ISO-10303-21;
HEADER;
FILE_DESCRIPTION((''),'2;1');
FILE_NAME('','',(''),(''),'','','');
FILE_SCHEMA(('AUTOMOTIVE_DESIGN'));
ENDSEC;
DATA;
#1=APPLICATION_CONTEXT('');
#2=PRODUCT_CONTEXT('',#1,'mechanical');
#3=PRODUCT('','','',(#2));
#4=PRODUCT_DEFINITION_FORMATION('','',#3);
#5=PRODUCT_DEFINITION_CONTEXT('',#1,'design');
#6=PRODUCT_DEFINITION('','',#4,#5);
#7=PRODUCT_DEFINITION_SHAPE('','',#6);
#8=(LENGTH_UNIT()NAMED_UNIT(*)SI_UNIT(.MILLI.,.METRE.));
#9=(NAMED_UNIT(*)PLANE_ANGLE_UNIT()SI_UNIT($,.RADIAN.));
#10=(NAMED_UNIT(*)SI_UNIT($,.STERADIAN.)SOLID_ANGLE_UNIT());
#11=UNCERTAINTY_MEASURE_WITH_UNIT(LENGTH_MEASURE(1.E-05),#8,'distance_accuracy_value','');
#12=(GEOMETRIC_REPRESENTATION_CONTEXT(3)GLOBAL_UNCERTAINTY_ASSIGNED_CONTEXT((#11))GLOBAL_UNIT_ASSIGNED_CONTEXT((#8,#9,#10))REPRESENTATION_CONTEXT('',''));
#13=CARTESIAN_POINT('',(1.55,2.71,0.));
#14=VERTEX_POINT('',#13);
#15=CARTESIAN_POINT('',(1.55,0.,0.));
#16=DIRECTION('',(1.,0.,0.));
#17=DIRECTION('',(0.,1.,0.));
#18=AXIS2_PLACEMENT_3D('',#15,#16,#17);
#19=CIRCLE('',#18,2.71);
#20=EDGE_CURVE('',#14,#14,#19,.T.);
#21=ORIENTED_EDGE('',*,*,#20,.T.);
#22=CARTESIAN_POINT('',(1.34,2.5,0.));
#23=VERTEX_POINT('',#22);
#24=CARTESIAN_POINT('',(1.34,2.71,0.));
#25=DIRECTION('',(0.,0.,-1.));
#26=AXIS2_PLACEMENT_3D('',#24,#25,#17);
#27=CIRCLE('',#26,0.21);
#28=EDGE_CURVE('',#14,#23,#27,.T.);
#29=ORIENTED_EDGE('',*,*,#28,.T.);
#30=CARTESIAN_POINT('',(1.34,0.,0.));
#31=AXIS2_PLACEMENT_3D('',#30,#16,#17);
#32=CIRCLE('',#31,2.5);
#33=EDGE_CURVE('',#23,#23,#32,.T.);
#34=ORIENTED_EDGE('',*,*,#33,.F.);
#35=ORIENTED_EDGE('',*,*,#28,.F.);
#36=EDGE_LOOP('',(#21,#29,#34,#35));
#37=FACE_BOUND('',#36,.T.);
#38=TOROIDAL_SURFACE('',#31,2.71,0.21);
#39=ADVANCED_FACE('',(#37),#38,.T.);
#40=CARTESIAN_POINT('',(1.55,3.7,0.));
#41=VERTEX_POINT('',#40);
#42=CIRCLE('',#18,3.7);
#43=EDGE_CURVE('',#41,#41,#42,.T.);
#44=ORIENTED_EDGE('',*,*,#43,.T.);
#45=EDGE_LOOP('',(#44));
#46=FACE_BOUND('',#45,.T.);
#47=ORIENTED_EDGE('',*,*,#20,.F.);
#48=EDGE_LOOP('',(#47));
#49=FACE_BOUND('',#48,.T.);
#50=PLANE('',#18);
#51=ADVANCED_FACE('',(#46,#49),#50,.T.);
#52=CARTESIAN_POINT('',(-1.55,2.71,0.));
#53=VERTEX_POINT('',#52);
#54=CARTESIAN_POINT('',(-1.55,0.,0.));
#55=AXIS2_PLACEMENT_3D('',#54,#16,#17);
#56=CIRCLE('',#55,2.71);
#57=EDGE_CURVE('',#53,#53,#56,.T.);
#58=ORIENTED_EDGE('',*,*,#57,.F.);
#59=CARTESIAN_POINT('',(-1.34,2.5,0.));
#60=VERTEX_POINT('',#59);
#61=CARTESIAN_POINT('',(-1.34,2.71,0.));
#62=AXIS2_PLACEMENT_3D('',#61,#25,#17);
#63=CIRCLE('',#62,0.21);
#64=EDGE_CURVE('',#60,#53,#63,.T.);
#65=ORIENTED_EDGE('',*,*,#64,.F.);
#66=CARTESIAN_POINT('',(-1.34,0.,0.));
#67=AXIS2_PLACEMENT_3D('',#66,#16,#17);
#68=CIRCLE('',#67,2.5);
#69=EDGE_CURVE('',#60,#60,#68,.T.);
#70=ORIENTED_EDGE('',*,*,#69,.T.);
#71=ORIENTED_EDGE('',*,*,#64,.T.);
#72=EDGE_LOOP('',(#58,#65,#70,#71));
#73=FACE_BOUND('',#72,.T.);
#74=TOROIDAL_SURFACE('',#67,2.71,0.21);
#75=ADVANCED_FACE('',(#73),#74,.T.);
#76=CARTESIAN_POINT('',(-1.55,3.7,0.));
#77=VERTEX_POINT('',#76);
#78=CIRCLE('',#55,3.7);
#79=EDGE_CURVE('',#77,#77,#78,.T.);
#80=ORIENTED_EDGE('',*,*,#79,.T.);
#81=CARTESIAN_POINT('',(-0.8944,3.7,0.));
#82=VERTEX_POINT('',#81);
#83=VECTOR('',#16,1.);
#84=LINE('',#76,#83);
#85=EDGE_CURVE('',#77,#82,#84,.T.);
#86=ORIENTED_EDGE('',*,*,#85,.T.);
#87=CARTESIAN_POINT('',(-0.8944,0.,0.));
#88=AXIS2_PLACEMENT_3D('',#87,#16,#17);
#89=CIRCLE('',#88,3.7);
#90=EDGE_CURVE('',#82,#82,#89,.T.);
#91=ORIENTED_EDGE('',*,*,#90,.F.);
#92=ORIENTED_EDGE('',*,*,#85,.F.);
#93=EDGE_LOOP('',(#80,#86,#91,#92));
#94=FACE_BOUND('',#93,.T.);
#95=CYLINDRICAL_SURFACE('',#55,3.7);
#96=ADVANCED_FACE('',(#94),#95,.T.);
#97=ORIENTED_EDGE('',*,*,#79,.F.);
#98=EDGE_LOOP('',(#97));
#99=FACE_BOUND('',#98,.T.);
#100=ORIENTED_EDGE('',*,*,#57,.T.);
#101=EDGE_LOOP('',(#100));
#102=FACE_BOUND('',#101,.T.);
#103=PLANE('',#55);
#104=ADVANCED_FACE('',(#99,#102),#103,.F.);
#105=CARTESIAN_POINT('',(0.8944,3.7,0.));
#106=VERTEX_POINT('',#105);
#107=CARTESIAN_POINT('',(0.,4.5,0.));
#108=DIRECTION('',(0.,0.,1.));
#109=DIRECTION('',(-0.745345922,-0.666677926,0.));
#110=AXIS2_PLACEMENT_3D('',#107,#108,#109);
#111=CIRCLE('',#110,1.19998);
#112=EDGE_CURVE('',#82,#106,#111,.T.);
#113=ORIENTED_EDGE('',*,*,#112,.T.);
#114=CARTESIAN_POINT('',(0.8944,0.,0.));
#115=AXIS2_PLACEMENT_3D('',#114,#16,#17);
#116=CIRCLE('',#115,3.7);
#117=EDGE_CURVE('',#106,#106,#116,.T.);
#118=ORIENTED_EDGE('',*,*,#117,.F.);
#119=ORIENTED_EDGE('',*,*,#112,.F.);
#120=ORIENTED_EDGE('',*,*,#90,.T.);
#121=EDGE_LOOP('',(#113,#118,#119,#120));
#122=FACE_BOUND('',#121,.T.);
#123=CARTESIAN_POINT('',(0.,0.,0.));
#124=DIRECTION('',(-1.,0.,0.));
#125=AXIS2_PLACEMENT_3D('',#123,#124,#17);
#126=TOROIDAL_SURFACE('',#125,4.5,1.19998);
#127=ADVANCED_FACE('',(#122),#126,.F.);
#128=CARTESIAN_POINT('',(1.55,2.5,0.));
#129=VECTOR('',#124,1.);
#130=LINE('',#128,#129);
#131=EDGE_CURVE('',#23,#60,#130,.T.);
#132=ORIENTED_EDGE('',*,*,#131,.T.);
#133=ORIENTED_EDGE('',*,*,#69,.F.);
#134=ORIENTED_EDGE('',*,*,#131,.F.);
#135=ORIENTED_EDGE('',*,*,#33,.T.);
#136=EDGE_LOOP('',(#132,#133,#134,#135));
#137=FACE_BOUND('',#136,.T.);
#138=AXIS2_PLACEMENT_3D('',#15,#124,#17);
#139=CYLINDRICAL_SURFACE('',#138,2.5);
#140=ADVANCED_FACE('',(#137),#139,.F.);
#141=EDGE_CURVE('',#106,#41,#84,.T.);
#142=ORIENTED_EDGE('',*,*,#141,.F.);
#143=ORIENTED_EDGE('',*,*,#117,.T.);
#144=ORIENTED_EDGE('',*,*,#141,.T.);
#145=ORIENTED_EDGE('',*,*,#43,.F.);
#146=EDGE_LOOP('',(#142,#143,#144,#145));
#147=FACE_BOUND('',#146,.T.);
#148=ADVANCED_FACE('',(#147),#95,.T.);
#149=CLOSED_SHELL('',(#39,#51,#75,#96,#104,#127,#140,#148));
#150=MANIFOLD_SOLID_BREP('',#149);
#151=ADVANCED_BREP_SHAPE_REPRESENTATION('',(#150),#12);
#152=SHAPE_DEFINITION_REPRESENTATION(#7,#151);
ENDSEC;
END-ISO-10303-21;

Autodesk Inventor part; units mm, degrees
ref_plane "YZ Plane" through (0, 0, 0) normal (1, 0, 0) x (0, 1, 0)
ref_plane "XZ Plane" through (0, 0, 0) normal (0, 1, 0) x (-1, 0, 0)
ref_plane "XY Plane" through (0, 0, 0) normal (0, 0, 1) x (1, 0, 0)
sketch "Sketch1" plane through (0, 0, 0) normal (0, 0, 1) x (1, 0, 0)
  line L0 (-1.55, 3.7) -> (1.55, 3.7)
  line L1 (1.55, 3.7) -> (1.55, 2.5)
  line L2 (1.55, 2.5) -> (-1.55, 2.5)
  line L3 (-1.55, 2.5) -> (-1.55, 3.7)
  arc A0 (-0.8944, 3.7) -> (0.8944, 3.7) centre (0, 4.5) ccw
  line L4 (-2.17, 0) -> (2.17, 0) projected
  point P0 (0, 0)
  point P1 (0, 2.5)
  dimension "d0" = 3.1
  dimension "d1" = 1.2
  dimension "d2" = 1.55
  dimension "d3" = 2.5
  dimension "d4" = 0.8
  dimension "d5" = 1.2
revolve "Revolution1" add sketch "Sketch1" angle 360 about axis through (-10, 0, 0) along (1, 0, 0) contours L0 A0 L1 L2 L3
fillet "Fillet1" radius 0.21 2 edges at (1.55, -2.5, 0) (-1.55, -2.5, 0)
properties part number "Inner Ring"
